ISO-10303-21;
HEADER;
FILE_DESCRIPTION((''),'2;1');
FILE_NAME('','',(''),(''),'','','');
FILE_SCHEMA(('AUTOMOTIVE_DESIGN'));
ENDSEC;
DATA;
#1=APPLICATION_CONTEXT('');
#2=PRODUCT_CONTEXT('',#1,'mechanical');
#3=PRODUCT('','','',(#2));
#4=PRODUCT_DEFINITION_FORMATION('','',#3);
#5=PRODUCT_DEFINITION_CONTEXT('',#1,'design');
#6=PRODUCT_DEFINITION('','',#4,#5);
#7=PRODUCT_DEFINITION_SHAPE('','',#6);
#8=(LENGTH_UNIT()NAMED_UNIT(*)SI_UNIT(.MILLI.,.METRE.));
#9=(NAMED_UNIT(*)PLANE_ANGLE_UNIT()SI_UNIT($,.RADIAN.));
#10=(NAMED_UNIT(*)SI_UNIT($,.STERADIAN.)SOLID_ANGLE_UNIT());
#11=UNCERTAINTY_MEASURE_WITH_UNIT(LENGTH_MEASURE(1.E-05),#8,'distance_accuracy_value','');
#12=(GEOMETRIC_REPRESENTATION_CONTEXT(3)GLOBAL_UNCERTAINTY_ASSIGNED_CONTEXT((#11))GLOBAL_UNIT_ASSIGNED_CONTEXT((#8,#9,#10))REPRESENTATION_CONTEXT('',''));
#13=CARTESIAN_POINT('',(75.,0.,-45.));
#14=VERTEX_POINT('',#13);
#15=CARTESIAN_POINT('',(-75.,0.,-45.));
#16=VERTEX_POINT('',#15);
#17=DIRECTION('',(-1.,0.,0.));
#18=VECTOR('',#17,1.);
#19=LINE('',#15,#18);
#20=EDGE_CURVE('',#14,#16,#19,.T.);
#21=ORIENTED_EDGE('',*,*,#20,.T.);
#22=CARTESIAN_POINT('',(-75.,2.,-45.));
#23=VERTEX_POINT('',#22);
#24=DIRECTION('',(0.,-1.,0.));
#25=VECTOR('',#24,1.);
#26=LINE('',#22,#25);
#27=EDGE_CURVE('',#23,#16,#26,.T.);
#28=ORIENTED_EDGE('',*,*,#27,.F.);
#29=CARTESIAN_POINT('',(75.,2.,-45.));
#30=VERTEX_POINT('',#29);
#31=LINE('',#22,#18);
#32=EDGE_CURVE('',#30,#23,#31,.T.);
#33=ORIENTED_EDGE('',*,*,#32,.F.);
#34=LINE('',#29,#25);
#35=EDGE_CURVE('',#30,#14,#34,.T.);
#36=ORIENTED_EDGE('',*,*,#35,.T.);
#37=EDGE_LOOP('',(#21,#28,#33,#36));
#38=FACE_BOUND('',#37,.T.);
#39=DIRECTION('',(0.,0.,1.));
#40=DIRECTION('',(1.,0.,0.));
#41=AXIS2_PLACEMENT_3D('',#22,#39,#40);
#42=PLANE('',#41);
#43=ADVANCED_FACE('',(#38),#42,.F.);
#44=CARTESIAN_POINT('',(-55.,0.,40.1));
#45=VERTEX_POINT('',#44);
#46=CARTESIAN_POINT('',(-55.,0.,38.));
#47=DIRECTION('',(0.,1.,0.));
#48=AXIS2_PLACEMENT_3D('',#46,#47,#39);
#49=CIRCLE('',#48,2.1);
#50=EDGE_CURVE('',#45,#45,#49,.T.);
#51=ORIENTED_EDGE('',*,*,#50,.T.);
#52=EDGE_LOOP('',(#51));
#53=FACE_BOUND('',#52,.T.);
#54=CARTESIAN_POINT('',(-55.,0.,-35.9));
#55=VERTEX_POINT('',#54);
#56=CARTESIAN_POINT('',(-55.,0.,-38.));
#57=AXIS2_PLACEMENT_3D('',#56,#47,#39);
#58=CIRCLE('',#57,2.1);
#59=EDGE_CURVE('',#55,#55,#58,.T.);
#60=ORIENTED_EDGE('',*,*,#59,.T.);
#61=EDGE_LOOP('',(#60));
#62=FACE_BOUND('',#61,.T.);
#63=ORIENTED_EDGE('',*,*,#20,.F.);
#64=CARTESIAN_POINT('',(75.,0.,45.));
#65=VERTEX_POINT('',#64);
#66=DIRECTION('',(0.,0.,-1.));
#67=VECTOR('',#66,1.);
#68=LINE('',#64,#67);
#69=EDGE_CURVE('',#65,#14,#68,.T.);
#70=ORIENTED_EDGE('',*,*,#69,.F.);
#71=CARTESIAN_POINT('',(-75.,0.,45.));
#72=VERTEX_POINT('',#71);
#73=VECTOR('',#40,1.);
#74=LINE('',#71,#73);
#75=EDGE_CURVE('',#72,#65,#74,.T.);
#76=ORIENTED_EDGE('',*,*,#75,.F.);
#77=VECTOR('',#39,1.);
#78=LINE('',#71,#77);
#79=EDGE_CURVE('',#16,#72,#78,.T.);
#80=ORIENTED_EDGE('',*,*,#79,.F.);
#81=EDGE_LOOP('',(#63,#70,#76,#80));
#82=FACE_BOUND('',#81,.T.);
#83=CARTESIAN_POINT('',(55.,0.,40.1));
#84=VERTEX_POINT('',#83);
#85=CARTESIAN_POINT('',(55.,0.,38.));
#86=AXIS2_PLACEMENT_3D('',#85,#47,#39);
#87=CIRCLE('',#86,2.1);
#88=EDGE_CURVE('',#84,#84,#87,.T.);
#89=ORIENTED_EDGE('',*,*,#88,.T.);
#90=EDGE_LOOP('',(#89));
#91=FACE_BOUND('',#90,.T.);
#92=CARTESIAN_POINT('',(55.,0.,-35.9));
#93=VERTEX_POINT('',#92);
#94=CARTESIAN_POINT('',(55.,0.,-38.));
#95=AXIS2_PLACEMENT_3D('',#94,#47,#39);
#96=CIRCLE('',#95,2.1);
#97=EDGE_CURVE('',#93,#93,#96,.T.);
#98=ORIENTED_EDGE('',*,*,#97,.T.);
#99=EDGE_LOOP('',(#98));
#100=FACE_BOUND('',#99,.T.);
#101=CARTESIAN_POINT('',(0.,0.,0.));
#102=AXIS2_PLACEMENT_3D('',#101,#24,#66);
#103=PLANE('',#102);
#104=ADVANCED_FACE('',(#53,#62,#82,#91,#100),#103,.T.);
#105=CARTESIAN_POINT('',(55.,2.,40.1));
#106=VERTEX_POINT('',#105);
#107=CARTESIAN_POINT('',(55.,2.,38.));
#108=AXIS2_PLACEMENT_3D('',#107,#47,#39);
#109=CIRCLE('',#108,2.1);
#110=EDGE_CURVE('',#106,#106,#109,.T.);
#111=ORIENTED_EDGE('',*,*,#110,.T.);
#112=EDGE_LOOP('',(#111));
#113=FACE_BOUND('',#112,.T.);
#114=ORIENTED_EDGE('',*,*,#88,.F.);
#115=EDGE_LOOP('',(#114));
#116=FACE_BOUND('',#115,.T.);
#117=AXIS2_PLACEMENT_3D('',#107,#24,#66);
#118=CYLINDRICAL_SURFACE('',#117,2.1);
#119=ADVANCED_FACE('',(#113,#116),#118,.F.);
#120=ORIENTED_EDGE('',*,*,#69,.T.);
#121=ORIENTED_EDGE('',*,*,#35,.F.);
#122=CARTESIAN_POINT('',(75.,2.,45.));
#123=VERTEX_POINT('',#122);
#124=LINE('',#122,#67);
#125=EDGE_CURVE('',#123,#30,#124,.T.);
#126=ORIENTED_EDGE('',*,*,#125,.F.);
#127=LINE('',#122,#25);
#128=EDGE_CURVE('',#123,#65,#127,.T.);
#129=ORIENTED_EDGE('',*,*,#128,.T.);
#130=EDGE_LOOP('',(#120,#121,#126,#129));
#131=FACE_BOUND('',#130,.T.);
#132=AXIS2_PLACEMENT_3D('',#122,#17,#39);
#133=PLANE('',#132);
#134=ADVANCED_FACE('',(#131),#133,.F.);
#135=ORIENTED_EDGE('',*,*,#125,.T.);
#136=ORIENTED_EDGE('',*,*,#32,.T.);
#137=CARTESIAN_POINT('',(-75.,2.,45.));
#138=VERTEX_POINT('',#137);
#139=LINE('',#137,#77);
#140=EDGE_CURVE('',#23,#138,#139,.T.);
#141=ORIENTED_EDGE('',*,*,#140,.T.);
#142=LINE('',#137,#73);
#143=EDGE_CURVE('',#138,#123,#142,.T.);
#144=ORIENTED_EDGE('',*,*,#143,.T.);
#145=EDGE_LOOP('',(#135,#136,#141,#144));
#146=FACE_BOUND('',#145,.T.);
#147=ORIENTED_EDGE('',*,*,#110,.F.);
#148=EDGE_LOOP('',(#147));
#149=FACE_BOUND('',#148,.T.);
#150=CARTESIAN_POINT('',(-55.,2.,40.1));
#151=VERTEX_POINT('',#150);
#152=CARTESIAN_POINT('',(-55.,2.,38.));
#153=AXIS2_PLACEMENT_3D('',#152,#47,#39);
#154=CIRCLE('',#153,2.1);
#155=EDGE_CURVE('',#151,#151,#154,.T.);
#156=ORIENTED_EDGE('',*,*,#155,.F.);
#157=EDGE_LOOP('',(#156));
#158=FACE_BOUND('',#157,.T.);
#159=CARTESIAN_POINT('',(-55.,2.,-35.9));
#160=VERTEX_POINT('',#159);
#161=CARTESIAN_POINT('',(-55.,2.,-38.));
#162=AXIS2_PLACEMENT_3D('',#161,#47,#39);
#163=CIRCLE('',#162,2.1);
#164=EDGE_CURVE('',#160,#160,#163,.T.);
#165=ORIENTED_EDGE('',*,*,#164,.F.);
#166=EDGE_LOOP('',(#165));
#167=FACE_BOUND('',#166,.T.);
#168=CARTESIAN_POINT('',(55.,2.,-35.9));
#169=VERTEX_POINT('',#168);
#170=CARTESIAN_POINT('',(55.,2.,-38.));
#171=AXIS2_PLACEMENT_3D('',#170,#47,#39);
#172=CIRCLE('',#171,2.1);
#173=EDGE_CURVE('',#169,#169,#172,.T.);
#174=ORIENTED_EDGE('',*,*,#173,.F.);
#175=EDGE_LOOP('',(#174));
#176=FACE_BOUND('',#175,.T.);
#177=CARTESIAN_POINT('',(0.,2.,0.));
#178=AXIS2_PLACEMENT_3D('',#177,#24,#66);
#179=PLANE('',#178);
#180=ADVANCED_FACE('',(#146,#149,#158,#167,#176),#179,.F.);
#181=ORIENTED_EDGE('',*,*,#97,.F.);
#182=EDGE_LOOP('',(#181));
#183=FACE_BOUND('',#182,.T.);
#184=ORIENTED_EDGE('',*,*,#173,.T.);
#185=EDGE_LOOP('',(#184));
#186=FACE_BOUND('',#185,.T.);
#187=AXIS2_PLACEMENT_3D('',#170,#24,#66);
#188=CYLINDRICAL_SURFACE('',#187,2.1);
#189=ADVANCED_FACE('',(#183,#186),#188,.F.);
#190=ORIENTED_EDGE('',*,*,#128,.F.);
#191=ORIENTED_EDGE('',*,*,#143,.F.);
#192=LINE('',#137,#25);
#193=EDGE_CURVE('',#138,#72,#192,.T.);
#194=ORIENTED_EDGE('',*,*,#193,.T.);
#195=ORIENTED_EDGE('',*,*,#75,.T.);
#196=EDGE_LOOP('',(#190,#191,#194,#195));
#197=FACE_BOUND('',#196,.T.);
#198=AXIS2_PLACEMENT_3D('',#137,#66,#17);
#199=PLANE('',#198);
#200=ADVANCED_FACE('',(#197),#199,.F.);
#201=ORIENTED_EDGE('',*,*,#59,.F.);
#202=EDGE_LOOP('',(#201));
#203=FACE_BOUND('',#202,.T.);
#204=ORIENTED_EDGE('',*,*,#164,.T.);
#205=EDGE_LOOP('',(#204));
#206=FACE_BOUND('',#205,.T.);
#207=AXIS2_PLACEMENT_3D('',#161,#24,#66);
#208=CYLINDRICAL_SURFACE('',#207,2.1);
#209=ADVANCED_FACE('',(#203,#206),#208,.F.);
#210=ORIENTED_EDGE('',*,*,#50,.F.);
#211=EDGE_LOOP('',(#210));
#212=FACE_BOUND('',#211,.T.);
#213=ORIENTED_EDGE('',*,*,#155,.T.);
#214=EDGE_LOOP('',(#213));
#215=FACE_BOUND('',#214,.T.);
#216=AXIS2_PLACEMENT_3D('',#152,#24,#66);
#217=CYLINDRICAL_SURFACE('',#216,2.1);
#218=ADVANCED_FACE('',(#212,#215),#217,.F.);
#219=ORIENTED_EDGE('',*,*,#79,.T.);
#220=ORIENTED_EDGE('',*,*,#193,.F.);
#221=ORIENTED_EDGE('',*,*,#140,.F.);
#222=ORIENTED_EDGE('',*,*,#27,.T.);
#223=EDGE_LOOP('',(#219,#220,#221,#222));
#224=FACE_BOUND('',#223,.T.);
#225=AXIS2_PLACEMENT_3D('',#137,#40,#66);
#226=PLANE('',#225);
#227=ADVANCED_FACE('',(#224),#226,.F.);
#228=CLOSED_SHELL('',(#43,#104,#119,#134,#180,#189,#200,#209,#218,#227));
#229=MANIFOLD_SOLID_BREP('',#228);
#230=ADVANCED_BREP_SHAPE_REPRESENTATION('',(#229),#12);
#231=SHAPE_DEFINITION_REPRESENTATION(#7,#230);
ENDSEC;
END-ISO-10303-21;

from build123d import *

# Parameters (mm, degrees)
SKETCH_1_W      = 150
SKETCH_1_H      = 90
SKETCH_1_R      = 2.1
EXTRUDE_1_DEPTH = 2


with BuildPart() as part:
    # 草图1 → 凸台-拉伸1 (new body)
    with BuildSketch(Plane(origin=(0, 0, 0), x_dir=(1, 0, 0), z_dir=(0, 1, 0))):
        Rectangle(SKETCH_1_W, SKETCH_1_H)
        with Locations(Location((-55, 38, 0), (0, 0, 270))):
            Circle(SKETCH_1_R, mode=Mode.SUBTRACT)
        with Locations(Location((55, 38, 0), (0, 0, 270))):
            Circle(SKETCH_1_R, mode=Mode.SUBTRACT)
        with Locations(Location((-55, -38, 0), (0, 0, 270))):
            Circle(SKETCH_1_R, mode=Mode.SUBTRACT)
        with Locations(Location((55, -38, 0), (0, 0, 270))):
            Circle(SKETCH_1_R, mode=Mode.SUBTRACT)
    extrude(amount=EXTRUDE_1_DEPTH)


solid = part.part
